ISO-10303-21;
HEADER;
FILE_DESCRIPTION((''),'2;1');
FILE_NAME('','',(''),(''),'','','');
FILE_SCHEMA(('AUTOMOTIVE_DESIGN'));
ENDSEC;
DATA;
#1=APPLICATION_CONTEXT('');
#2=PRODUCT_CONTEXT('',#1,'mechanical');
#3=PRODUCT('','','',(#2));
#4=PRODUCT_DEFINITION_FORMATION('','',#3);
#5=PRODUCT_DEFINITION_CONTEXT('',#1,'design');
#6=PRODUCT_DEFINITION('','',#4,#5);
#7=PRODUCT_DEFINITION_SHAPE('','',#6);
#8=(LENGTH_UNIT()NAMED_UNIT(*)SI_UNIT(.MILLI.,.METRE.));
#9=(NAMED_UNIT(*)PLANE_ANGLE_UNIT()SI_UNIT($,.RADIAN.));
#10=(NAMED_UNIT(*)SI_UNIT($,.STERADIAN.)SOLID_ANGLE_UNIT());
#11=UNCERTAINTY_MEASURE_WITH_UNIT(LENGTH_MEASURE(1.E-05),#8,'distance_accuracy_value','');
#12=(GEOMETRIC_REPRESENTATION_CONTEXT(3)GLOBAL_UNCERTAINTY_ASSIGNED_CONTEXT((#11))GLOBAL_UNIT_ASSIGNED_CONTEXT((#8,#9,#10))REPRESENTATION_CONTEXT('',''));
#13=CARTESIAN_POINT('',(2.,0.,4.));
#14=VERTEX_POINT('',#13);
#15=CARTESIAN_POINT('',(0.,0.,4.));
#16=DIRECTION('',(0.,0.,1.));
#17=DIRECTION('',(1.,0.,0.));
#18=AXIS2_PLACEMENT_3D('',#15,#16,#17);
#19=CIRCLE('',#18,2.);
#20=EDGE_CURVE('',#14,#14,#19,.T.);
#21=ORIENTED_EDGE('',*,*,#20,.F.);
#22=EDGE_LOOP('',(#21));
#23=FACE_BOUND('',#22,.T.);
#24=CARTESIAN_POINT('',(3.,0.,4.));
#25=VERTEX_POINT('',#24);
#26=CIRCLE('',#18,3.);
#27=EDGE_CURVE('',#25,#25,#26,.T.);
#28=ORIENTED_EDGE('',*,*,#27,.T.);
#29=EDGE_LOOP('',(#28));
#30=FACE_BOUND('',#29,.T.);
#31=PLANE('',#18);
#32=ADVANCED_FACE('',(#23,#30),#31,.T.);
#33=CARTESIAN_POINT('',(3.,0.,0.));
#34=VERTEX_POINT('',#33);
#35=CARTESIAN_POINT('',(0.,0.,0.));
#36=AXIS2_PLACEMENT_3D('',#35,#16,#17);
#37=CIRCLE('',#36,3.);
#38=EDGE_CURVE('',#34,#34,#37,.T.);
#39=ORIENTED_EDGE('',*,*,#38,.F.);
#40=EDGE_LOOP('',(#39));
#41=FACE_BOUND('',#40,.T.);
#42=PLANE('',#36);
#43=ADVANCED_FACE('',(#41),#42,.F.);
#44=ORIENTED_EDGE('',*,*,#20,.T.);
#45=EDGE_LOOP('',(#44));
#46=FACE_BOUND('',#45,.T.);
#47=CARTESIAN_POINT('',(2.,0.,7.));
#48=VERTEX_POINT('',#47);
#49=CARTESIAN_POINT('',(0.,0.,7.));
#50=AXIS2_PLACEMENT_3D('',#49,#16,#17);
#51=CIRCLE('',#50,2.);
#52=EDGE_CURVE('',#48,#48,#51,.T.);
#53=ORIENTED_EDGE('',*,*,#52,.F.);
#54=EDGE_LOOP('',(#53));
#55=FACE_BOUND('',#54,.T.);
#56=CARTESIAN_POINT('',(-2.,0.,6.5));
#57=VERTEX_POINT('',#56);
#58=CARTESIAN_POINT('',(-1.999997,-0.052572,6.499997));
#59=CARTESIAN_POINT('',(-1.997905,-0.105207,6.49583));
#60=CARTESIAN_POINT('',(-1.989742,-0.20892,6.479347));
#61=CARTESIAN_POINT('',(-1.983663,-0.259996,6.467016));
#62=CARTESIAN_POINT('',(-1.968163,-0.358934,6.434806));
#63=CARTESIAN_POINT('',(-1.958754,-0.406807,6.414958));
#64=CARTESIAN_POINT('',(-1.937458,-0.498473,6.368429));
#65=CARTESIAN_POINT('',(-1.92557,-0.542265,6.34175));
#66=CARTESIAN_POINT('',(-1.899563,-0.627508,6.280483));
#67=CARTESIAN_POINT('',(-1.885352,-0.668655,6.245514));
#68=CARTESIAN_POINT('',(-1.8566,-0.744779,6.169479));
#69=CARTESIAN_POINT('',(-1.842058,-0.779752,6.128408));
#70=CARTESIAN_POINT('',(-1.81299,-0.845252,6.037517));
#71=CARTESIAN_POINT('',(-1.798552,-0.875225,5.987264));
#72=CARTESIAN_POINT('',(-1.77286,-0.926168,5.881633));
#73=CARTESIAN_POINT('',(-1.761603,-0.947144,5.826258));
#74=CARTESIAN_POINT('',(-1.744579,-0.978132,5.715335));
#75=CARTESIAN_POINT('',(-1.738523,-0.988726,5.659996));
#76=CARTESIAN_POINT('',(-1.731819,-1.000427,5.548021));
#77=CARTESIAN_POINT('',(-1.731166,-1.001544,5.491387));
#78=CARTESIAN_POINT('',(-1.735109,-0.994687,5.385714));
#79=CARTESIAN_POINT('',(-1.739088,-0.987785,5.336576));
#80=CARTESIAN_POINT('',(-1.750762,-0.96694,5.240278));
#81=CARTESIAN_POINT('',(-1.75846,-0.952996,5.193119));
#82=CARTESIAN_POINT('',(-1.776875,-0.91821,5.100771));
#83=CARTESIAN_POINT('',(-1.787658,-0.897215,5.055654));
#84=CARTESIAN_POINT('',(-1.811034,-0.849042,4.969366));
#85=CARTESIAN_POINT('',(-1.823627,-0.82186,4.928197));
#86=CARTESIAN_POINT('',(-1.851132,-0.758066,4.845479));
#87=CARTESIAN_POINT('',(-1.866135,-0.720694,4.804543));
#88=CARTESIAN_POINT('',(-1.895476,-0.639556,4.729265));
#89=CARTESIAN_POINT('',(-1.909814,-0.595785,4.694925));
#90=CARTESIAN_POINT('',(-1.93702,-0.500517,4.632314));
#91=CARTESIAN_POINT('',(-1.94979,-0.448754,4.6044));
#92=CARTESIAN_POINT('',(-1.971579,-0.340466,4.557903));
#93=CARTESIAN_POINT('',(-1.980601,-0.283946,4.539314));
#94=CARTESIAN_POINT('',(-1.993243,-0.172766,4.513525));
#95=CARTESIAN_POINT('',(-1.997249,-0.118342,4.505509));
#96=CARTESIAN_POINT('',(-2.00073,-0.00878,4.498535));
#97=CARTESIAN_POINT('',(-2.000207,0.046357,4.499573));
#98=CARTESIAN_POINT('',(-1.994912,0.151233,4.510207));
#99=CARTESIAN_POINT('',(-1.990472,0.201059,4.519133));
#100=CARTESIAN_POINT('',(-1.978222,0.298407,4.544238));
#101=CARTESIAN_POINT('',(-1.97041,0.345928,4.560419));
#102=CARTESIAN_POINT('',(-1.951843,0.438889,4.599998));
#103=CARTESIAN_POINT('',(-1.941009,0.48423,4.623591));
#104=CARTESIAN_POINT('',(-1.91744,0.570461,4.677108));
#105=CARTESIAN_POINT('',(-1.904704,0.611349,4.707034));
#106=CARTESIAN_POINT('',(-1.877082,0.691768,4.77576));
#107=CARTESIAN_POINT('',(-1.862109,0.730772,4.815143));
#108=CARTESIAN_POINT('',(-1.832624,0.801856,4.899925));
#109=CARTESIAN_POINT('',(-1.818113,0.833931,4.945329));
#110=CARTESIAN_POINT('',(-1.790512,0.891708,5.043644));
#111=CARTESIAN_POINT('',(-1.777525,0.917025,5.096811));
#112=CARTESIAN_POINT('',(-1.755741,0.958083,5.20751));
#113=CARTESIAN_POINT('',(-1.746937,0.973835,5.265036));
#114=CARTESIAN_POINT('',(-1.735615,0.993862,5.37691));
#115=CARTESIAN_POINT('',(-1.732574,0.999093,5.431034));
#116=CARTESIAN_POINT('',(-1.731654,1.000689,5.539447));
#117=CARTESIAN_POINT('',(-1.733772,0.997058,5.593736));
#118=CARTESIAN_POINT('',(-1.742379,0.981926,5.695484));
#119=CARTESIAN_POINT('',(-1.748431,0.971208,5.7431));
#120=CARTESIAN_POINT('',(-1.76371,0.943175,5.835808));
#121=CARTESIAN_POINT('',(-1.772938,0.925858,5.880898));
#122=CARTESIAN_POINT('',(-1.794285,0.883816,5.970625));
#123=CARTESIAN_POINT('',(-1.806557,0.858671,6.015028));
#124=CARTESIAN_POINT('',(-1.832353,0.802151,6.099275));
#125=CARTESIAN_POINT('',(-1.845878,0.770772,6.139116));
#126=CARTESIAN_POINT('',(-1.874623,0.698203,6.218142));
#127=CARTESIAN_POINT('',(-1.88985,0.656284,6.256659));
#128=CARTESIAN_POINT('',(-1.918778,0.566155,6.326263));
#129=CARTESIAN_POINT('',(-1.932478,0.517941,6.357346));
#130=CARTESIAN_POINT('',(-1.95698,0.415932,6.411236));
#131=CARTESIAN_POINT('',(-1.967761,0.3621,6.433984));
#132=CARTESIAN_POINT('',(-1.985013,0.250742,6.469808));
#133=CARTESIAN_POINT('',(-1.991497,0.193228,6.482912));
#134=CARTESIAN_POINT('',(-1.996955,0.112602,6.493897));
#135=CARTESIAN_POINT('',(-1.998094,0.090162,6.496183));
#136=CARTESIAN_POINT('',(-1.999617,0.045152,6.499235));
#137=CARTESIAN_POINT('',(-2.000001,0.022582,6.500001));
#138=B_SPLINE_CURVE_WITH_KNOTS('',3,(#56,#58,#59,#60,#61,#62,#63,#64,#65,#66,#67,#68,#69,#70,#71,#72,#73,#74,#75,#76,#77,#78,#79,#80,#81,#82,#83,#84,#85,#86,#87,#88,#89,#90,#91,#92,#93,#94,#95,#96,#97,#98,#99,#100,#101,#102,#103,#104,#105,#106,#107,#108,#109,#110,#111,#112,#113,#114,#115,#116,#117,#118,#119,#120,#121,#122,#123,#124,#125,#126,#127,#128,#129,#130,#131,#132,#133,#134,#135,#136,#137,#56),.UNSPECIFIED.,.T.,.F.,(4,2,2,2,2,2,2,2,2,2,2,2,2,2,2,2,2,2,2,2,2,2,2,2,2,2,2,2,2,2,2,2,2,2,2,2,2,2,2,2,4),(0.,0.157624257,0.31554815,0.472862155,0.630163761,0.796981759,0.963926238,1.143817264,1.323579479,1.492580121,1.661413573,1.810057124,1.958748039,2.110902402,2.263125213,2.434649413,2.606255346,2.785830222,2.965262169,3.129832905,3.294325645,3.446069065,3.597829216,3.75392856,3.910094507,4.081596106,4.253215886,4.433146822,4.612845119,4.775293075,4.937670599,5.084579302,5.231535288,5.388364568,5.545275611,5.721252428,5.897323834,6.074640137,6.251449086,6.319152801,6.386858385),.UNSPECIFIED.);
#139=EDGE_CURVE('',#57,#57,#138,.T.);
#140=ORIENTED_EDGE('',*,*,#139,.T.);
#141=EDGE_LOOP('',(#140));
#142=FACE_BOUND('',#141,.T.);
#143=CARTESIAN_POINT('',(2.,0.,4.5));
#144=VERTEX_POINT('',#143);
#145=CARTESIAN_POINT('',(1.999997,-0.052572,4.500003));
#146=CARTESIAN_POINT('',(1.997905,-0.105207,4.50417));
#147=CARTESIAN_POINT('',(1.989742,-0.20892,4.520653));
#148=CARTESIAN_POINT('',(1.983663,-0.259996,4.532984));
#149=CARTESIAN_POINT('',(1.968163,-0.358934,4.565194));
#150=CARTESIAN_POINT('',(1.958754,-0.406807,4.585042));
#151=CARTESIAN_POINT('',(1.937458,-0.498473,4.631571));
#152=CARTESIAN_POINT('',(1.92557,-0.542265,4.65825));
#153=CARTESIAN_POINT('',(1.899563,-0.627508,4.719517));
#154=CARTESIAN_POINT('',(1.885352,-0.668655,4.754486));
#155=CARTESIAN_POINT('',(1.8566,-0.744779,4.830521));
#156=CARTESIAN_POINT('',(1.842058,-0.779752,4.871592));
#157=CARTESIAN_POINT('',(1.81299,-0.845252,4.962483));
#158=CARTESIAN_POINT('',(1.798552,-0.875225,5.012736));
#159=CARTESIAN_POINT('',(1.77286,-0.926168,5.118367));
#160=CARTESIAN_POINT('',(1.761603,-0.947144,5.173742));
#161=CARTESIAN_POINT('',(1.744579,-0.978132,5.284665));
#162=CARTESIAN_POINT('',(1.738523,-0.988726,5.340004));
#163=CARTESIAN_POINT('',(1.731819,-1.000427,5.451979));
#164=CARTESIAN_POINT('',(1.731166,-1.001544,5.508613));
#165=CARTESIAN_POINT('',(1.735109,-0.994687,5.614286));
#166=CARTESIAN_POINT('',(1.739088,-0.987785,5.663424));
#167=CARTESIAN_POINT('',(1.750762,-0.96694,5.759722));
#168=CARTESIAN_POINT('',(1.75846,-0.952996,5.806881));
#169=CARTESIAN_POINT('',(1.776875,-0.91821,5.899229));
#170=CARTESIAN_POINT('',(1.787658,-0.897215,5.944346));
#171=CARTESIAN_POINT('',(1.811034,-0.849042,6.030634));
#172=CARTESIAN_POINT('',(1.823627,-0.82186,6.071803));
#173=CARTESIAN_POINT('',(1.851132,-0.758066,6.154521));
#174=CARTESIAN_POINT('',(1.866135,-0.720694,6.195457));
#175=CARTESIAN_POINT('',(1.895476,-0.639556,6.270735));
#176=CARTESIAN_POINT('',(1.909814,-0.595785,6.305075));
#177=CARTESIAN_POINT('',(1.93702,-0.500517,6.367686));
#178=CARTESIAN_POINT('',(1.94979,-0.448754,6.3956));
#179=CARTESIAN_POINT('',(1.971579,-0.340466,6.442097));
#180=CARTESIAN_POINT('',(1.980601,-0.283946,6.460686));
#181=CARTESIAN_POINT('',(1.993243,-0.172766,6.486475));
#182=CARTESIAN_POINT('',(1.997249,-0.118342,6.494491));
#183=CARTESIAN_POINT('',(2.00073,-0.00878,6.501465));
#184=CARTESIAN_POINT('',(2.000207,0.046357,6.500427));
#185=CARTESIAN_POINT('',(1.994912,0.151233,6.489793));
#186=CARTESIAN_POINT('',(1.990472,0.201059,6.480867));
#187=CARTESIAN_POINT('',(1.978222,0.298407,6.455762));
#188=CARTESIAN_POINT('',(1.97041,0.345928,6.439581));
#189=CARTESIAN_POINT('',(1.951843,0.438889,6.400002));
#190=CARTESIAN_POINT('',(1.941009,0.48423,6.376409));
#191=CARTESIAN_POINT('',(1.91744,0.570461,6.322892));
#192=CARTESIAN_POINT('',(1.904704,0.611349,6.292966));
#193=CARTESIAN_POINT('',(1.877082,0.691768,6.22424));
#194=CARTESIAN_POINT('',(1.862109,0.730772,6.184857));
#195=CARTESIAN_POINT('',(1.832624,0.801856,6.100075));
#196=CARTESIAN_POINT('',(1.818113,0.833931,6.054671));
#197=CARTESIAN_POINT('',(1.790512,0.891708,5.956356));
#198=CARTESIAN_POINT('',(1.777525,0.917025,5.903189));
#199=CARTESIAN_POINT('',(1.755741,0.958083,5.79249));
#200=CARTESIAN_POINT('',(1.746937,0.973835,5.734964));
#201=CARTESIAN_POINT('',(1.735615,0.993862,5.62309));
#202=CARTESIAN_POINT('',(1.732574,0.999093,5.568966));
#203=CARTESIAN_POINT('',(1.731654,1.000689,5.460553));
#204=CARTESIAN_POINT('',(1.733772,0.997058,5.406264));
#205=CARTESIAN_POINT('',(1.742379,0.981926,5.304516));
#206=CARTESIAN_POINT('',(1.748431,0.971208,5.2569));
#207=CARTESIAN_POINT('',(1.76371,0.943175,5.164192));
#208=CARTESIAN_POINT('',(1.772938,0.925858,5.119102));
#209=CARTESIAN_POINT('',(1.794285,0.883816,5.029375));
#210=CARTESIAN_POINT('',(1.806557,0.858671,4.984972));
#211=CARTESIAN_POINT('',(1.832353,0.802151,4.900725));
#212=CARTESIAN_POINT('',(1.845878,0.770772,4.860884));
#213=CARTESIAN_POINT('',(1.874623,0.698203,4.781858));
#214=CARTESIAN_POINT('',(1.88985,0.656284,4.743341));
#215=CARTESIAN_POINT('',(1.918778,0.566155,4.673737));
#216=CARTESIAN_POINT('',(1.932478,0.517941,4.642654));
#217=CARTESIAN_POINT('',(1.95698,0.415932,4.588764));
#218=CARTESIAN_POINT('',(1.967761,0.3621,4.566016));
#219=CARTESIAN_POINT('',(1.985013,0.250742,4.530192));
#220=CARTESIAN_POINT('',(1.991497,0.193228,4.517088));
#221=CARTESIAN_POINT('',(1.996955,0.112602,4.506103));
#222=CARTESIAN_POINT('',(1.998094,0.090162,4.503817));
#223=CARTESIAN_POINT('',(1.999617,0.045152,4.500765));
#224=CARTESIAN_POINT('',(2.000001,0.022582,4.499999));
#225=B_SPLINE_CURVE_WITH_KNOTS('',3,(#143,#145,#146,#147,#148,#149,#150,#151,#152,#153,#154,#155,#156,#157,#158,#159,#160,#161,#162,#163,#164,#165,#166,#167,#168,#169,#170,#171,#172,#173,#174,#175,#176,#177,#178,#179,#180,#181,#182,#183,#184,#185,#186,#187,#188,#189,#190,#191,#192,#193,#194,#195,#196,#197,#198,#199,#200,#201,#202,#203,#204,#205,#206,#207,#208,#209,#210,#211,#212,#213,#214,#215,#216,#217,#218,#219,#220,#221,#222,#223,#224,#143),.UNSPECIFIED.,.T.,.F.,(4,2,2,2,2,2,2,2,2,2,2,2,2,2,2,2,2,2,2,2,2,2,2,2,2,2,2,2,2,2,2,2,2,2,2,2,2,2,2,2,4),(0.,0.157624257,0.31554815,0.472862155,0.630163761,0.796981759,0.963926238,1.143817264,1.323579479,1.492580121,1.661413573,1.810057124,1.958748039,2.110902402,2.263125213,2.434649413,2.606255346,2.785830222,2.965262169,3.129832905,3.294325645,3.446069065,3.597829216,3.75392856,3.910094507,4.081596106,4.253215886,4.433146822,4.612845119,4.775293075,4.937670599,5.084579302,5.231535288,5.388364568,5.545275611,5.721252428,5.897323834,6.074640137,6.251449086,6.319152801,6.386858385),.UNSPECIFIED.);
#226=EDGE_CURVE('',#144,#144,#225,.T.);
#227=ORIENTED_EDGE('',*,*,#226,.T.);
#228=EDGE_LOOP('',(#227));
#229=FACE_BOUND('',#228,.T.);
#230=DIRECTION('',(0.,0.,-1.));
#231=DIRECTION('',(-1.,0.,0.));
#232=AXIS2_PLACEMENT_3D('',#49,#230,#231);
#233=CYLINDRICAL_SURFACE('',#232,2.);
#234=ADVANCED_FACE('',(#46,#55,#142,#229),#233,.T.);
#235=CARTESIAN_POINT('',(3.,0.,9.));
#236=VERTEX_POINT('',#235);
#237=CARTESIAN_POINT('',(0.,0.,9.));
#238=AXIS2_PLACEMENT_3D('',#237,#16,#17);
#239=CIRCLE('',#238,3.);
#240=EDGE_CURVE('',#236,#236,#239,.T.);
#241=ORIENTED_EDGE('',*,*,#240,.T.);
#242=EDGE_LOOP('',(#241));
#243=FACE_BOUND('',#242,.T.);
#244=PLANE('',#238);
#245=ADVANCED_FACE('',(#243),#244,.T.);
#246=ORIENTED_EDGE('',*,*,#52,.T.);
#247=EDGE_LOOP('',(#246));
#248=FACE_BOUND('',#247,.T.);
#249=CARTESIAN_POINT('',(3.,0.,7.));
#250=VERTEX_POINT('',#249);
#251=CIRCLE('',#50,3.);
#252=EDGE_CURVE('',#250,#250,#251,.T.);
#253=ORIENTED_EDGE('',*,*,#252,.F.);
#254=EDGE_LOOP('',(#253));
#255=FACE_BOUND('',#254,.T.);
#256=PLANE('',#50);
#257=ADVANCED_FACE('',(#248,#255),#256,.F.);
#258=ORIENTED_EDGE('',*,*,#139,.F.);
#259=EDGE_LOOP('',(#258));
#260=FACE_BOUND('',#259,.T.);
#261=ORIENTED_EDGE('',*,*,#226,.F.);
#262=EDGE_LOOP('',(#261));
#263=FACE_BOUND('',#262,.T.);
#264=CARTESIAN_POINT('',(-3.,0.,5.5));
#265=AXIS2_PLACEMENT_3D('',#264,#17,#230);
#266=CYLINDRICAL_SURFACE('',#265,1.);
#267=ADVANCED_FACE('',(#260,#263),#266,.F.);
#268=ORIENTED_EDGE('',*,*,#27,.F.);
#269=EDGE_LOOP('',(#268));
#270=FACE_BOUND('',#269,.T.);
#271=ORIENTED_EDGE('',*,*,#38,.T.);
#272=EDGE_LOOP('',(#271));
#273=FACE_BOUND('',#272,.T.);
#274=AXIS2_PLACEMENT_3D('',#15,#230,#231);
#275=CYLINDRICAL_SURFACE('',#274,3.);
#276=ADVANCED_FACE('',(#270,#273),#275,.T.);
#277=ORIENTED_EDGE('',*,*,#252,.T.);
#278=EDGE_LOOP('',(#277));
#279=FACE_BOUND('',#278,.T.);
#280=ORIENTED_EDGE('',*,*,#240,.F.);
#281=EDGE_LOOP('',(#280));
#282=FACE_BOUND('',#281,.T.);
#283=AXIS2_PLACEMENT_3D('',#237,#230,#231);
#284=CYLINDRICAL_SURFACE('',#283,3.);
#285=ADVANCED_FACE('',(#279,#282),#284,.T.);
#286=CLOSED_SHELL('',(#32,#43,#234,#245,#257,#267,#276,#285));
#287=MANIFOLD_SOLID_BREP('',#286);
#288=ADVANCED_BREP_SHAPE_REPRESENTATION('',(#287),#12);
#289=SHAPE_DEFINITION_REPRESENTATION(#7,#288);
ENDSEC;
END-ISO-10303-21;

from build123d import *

# Parameters (mm, degrees)
SKETCH_2_R          = 3
EXTRUDE_1_DEPTH     = 4
SKETCH_3_R          = 2
EXTRUDE_2_DEPTH     = 3
SKETCH_4_R          = 1
CUT_EXTRUDE_1_DEPTH = 10.110433579
SKETCH_5_R          = 3
EXTRUDE_3_DEPTH     = 2


with BuildPart() as part:
    # 草图2 → 凸台-拉伸1 (new body)
    with BuildSketch(Plane.XY):
        Circle(SKETCH_2_R)
    extrude(amount=EXTRUDE_1_DEPTH)

    # 草图3 → 凸台-拉伸2 (add)
    with BuildSketch(Plane.XY.offset(4)):
        Circle(SKETCH_3_R)
    extrude(amount=EXTRUDE_2_DEPTH)

    # 草图4 → 切除-拉伸1 (cut, through all)
    with BuildSketch(Plane(origin=(2, 0, 0), x_dir=(0, 0, -1), z_dir=(1, 0, 0))):
        with Locations(Location((-5.5, 0, 0), (0, 0, 180))):
            Circle(SKETCH_4_R)
    extrude(amount=-CUT_EXTRUDE_1_DEPTH, mode=Mode.SUBTRACT)

    # 草图5 → 凸台-拉伸3 (add)
    with BuildSketch(Plane.XY.offset(7)):
        Circle(SKETCH_5_R)
    extrude(amount=EXTRUDE_3_DEPTH)


solid = part.part
